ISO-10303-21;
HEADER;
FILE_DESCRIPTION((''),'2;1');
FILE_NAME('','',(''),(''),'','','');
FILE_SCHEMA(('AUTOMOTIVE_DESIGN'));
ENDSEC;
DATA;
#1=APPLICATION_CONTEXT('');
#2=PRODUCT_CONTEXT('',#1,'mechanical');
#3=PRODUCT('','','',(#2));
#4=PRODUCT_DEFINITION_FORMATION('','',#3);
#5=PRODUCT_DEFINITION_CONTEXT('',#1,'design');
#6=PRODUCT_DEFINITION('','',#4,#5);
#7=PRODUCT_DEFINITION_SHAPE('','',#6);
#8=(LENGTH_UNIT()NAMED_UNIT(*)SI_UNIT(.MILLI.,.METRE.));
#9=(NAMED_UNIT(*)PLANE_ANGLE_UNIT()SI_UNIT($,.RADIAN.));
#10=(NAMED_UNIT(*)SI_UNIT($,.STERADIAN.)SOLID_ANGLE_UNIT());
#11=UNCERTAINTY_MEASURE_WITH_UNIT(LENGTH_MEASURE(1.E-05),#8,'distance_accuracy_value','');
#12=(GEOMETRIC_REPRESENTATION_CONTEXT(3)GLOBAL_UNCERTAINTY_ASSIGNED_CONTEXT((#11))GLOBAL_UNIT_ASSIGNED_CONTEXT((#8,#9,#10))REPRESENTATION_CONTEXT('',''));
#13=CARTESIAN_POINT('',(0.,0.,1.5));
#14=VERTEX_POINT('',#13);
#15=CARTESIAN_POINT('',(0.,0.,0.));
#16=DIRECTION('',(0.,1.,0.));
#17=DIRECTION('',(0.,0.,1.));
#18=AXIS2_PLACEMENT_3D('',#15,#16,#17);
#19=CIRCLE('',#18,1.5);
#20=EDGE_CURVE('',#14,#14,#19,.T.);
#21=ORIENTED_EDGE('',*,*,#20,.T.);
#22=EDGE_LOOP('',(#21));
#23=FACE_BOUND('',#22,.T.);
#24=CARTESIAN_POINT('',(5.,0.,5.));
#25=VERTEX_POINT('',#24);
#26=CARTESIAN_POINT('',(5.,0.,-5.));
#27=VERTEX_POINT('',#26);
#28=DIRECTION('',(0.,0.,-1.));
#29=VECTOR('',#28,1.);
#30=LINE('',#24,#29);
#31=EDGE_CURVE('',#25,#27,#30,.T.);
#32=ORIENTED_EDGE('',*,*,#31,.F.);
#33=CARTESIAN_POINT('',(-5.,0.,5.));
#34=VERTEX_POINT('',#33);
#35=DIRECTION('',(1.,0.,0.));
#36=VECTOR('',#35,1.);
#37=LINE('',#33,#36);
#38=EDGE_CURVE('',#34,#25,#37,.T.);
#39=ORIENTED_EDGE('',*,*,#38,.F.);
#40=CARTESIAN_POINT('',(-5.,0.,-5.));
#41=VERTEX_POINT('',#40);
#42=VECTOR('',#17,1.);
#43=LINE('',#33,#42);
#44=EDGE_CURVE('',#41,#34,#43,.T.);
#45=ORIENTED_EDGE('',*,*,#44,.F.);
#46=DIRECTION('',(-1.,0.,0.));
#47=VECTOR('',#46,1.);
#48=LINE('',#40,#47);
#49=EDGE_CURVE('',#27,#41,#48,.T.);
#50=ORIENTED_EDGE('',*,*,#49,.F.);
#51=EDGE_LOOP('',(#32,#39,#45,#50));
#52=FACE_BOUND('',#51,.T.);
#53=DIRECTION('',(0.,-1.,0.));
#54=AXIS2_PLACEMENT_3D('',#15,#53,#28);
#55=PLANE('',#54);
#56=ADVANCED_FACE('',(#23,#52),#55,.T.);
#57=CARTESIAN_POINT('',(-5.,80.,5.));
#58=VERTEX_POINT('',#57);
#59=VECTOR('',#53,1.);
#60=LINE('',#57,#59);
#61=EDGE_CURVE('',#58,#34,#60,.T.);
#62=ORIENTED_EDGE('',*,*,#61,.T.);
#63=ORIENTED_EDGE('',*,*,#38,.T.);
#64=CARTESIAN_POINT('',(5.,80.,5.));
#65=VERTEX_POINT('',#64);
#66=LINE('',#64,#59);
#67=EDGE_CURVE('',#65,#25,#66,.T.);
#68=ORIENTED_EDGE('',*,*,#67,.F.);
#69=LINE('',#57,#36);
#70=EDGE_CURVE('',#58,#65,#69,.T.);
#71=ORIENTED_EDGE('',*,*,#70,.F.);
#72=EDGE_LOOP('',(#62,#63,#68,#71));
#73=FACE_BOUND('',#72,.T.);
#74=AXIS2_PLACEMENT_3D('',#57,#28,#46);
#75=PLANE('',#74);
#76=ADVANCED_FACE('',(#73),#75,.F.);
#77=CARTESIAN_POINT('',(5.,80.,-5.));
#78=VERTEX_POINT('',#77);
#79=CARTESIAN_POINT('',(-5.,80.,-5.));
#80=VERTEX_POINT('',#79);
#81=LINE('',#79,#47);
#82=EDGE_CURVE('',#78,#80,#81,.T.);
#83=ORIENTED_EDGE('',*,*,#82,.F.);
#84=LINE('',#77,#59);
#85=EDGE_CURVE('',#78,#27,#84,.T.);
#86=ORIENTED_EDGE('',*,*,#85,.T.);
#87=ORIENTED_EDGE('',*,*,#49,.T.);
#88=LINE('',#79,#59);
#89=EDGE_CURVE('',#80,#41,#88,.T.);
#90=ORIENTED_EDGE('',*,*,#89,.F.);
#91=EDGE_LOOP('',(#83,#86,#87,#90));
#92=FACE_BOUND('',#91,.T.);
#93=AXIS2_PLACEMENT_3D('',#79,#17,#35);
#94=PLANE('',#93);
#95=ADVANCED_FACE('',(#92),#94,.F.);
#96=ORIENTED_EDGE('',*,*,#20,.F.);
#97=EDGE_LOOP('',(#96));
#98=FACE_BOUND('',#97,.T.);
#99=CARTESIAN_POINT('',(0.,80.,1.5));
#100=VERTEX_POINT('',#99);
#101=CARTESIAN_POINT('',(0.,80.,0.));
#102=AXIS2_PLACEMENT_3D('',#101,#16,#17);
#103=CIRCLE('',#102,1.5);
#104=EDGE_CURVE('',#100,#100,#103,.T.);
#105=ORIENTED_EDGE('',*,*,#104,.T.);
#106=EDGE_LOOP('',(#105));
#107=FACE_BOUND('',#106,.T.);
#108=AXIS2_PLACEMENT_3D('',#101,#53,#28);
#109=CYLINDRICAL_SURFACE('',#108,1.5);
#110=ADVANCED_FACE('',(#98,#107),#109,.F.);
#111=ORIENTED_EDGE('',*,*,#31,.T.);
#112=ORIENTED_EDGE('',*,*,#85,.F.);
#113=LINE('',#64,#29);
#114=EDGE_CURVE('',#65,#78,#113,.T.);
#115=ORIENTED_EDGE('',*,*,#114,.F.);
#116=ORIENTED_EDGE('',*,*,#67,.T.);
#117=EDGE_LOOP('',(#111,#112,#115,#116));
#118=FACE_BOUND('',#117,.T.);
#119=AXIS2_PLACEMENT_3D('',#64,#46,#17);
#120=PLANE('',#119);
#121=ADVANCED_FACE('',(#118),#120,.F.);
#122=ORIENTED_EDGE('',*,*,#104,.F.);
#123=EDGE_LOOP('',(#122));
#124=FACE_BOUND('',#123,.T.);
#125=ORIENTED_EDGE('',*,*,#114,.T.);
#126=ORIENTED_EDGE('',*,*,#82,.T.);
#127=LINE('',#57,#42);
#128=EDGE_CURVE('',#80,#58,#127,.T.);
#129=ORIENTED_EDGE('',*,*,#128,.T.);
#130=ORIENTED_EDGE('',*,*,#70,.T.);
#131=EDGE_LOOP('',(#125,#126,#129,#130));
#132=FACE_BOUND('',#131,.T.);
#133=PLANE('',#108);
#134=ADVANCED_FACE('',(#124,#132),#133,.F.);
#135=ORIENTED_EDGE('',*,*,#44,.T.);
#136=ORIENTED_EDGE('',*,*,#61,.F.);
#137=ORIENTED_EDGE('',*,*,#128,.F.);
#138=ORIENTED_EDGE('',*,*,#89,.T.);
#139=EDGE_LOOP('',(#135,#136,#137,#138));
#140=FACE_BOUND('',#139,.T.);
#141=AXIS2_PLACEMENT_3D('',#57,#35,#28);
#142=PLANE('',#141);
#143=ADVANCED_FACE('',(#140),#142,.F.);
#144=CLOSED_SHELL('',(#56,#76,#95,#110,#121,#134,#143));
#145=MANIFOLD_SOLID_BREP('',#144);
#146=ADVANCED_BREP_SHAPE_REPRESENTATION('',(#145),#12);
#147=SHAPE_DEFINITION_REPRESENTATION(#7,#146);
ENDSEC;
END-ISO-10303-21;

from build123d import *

# Parameters (mm, degrees)
SKETCH_1_W          = 10
SKETCH_1_H          = 10
EXTRUDE_1_DEPTH     = 80
SKETCH_2_R          = 1.5
CUT_EXTRUDE_2_DEPTH = 81.311892021


with BuildPart() as part:
    # ｽｹｯﾁ1 → ﾎﾞｽ - 押し出し1 (new body)
    with BuildSketch(Plane(origin=(0, 0, 0), x_dir=(1, 0, 0), z_dir=(0, 1, 0))):
        Rectangle(SKETCH_1_W, SKETCH_1_H)
    extrude(amount=EXTRUDE_1_DEPTH)

    # ｽｹｯﾁ2 → ｶｯﾄ - 押し出し2 (cut, through all)
    with BuildSketch(Plane(origin=(0, 0, 0), x_dir=(1, 0, 0), z_dir=(0, 1, 0))):
        with Locations(Location((0, 0, 0), (0, 0, 270))):
            Circle(SKETCH_2_R)
    extrude(amount=CUT_EXTRUDE_2_DEPTH, mode=Mode.SUBTRACT)


solid = part.part
